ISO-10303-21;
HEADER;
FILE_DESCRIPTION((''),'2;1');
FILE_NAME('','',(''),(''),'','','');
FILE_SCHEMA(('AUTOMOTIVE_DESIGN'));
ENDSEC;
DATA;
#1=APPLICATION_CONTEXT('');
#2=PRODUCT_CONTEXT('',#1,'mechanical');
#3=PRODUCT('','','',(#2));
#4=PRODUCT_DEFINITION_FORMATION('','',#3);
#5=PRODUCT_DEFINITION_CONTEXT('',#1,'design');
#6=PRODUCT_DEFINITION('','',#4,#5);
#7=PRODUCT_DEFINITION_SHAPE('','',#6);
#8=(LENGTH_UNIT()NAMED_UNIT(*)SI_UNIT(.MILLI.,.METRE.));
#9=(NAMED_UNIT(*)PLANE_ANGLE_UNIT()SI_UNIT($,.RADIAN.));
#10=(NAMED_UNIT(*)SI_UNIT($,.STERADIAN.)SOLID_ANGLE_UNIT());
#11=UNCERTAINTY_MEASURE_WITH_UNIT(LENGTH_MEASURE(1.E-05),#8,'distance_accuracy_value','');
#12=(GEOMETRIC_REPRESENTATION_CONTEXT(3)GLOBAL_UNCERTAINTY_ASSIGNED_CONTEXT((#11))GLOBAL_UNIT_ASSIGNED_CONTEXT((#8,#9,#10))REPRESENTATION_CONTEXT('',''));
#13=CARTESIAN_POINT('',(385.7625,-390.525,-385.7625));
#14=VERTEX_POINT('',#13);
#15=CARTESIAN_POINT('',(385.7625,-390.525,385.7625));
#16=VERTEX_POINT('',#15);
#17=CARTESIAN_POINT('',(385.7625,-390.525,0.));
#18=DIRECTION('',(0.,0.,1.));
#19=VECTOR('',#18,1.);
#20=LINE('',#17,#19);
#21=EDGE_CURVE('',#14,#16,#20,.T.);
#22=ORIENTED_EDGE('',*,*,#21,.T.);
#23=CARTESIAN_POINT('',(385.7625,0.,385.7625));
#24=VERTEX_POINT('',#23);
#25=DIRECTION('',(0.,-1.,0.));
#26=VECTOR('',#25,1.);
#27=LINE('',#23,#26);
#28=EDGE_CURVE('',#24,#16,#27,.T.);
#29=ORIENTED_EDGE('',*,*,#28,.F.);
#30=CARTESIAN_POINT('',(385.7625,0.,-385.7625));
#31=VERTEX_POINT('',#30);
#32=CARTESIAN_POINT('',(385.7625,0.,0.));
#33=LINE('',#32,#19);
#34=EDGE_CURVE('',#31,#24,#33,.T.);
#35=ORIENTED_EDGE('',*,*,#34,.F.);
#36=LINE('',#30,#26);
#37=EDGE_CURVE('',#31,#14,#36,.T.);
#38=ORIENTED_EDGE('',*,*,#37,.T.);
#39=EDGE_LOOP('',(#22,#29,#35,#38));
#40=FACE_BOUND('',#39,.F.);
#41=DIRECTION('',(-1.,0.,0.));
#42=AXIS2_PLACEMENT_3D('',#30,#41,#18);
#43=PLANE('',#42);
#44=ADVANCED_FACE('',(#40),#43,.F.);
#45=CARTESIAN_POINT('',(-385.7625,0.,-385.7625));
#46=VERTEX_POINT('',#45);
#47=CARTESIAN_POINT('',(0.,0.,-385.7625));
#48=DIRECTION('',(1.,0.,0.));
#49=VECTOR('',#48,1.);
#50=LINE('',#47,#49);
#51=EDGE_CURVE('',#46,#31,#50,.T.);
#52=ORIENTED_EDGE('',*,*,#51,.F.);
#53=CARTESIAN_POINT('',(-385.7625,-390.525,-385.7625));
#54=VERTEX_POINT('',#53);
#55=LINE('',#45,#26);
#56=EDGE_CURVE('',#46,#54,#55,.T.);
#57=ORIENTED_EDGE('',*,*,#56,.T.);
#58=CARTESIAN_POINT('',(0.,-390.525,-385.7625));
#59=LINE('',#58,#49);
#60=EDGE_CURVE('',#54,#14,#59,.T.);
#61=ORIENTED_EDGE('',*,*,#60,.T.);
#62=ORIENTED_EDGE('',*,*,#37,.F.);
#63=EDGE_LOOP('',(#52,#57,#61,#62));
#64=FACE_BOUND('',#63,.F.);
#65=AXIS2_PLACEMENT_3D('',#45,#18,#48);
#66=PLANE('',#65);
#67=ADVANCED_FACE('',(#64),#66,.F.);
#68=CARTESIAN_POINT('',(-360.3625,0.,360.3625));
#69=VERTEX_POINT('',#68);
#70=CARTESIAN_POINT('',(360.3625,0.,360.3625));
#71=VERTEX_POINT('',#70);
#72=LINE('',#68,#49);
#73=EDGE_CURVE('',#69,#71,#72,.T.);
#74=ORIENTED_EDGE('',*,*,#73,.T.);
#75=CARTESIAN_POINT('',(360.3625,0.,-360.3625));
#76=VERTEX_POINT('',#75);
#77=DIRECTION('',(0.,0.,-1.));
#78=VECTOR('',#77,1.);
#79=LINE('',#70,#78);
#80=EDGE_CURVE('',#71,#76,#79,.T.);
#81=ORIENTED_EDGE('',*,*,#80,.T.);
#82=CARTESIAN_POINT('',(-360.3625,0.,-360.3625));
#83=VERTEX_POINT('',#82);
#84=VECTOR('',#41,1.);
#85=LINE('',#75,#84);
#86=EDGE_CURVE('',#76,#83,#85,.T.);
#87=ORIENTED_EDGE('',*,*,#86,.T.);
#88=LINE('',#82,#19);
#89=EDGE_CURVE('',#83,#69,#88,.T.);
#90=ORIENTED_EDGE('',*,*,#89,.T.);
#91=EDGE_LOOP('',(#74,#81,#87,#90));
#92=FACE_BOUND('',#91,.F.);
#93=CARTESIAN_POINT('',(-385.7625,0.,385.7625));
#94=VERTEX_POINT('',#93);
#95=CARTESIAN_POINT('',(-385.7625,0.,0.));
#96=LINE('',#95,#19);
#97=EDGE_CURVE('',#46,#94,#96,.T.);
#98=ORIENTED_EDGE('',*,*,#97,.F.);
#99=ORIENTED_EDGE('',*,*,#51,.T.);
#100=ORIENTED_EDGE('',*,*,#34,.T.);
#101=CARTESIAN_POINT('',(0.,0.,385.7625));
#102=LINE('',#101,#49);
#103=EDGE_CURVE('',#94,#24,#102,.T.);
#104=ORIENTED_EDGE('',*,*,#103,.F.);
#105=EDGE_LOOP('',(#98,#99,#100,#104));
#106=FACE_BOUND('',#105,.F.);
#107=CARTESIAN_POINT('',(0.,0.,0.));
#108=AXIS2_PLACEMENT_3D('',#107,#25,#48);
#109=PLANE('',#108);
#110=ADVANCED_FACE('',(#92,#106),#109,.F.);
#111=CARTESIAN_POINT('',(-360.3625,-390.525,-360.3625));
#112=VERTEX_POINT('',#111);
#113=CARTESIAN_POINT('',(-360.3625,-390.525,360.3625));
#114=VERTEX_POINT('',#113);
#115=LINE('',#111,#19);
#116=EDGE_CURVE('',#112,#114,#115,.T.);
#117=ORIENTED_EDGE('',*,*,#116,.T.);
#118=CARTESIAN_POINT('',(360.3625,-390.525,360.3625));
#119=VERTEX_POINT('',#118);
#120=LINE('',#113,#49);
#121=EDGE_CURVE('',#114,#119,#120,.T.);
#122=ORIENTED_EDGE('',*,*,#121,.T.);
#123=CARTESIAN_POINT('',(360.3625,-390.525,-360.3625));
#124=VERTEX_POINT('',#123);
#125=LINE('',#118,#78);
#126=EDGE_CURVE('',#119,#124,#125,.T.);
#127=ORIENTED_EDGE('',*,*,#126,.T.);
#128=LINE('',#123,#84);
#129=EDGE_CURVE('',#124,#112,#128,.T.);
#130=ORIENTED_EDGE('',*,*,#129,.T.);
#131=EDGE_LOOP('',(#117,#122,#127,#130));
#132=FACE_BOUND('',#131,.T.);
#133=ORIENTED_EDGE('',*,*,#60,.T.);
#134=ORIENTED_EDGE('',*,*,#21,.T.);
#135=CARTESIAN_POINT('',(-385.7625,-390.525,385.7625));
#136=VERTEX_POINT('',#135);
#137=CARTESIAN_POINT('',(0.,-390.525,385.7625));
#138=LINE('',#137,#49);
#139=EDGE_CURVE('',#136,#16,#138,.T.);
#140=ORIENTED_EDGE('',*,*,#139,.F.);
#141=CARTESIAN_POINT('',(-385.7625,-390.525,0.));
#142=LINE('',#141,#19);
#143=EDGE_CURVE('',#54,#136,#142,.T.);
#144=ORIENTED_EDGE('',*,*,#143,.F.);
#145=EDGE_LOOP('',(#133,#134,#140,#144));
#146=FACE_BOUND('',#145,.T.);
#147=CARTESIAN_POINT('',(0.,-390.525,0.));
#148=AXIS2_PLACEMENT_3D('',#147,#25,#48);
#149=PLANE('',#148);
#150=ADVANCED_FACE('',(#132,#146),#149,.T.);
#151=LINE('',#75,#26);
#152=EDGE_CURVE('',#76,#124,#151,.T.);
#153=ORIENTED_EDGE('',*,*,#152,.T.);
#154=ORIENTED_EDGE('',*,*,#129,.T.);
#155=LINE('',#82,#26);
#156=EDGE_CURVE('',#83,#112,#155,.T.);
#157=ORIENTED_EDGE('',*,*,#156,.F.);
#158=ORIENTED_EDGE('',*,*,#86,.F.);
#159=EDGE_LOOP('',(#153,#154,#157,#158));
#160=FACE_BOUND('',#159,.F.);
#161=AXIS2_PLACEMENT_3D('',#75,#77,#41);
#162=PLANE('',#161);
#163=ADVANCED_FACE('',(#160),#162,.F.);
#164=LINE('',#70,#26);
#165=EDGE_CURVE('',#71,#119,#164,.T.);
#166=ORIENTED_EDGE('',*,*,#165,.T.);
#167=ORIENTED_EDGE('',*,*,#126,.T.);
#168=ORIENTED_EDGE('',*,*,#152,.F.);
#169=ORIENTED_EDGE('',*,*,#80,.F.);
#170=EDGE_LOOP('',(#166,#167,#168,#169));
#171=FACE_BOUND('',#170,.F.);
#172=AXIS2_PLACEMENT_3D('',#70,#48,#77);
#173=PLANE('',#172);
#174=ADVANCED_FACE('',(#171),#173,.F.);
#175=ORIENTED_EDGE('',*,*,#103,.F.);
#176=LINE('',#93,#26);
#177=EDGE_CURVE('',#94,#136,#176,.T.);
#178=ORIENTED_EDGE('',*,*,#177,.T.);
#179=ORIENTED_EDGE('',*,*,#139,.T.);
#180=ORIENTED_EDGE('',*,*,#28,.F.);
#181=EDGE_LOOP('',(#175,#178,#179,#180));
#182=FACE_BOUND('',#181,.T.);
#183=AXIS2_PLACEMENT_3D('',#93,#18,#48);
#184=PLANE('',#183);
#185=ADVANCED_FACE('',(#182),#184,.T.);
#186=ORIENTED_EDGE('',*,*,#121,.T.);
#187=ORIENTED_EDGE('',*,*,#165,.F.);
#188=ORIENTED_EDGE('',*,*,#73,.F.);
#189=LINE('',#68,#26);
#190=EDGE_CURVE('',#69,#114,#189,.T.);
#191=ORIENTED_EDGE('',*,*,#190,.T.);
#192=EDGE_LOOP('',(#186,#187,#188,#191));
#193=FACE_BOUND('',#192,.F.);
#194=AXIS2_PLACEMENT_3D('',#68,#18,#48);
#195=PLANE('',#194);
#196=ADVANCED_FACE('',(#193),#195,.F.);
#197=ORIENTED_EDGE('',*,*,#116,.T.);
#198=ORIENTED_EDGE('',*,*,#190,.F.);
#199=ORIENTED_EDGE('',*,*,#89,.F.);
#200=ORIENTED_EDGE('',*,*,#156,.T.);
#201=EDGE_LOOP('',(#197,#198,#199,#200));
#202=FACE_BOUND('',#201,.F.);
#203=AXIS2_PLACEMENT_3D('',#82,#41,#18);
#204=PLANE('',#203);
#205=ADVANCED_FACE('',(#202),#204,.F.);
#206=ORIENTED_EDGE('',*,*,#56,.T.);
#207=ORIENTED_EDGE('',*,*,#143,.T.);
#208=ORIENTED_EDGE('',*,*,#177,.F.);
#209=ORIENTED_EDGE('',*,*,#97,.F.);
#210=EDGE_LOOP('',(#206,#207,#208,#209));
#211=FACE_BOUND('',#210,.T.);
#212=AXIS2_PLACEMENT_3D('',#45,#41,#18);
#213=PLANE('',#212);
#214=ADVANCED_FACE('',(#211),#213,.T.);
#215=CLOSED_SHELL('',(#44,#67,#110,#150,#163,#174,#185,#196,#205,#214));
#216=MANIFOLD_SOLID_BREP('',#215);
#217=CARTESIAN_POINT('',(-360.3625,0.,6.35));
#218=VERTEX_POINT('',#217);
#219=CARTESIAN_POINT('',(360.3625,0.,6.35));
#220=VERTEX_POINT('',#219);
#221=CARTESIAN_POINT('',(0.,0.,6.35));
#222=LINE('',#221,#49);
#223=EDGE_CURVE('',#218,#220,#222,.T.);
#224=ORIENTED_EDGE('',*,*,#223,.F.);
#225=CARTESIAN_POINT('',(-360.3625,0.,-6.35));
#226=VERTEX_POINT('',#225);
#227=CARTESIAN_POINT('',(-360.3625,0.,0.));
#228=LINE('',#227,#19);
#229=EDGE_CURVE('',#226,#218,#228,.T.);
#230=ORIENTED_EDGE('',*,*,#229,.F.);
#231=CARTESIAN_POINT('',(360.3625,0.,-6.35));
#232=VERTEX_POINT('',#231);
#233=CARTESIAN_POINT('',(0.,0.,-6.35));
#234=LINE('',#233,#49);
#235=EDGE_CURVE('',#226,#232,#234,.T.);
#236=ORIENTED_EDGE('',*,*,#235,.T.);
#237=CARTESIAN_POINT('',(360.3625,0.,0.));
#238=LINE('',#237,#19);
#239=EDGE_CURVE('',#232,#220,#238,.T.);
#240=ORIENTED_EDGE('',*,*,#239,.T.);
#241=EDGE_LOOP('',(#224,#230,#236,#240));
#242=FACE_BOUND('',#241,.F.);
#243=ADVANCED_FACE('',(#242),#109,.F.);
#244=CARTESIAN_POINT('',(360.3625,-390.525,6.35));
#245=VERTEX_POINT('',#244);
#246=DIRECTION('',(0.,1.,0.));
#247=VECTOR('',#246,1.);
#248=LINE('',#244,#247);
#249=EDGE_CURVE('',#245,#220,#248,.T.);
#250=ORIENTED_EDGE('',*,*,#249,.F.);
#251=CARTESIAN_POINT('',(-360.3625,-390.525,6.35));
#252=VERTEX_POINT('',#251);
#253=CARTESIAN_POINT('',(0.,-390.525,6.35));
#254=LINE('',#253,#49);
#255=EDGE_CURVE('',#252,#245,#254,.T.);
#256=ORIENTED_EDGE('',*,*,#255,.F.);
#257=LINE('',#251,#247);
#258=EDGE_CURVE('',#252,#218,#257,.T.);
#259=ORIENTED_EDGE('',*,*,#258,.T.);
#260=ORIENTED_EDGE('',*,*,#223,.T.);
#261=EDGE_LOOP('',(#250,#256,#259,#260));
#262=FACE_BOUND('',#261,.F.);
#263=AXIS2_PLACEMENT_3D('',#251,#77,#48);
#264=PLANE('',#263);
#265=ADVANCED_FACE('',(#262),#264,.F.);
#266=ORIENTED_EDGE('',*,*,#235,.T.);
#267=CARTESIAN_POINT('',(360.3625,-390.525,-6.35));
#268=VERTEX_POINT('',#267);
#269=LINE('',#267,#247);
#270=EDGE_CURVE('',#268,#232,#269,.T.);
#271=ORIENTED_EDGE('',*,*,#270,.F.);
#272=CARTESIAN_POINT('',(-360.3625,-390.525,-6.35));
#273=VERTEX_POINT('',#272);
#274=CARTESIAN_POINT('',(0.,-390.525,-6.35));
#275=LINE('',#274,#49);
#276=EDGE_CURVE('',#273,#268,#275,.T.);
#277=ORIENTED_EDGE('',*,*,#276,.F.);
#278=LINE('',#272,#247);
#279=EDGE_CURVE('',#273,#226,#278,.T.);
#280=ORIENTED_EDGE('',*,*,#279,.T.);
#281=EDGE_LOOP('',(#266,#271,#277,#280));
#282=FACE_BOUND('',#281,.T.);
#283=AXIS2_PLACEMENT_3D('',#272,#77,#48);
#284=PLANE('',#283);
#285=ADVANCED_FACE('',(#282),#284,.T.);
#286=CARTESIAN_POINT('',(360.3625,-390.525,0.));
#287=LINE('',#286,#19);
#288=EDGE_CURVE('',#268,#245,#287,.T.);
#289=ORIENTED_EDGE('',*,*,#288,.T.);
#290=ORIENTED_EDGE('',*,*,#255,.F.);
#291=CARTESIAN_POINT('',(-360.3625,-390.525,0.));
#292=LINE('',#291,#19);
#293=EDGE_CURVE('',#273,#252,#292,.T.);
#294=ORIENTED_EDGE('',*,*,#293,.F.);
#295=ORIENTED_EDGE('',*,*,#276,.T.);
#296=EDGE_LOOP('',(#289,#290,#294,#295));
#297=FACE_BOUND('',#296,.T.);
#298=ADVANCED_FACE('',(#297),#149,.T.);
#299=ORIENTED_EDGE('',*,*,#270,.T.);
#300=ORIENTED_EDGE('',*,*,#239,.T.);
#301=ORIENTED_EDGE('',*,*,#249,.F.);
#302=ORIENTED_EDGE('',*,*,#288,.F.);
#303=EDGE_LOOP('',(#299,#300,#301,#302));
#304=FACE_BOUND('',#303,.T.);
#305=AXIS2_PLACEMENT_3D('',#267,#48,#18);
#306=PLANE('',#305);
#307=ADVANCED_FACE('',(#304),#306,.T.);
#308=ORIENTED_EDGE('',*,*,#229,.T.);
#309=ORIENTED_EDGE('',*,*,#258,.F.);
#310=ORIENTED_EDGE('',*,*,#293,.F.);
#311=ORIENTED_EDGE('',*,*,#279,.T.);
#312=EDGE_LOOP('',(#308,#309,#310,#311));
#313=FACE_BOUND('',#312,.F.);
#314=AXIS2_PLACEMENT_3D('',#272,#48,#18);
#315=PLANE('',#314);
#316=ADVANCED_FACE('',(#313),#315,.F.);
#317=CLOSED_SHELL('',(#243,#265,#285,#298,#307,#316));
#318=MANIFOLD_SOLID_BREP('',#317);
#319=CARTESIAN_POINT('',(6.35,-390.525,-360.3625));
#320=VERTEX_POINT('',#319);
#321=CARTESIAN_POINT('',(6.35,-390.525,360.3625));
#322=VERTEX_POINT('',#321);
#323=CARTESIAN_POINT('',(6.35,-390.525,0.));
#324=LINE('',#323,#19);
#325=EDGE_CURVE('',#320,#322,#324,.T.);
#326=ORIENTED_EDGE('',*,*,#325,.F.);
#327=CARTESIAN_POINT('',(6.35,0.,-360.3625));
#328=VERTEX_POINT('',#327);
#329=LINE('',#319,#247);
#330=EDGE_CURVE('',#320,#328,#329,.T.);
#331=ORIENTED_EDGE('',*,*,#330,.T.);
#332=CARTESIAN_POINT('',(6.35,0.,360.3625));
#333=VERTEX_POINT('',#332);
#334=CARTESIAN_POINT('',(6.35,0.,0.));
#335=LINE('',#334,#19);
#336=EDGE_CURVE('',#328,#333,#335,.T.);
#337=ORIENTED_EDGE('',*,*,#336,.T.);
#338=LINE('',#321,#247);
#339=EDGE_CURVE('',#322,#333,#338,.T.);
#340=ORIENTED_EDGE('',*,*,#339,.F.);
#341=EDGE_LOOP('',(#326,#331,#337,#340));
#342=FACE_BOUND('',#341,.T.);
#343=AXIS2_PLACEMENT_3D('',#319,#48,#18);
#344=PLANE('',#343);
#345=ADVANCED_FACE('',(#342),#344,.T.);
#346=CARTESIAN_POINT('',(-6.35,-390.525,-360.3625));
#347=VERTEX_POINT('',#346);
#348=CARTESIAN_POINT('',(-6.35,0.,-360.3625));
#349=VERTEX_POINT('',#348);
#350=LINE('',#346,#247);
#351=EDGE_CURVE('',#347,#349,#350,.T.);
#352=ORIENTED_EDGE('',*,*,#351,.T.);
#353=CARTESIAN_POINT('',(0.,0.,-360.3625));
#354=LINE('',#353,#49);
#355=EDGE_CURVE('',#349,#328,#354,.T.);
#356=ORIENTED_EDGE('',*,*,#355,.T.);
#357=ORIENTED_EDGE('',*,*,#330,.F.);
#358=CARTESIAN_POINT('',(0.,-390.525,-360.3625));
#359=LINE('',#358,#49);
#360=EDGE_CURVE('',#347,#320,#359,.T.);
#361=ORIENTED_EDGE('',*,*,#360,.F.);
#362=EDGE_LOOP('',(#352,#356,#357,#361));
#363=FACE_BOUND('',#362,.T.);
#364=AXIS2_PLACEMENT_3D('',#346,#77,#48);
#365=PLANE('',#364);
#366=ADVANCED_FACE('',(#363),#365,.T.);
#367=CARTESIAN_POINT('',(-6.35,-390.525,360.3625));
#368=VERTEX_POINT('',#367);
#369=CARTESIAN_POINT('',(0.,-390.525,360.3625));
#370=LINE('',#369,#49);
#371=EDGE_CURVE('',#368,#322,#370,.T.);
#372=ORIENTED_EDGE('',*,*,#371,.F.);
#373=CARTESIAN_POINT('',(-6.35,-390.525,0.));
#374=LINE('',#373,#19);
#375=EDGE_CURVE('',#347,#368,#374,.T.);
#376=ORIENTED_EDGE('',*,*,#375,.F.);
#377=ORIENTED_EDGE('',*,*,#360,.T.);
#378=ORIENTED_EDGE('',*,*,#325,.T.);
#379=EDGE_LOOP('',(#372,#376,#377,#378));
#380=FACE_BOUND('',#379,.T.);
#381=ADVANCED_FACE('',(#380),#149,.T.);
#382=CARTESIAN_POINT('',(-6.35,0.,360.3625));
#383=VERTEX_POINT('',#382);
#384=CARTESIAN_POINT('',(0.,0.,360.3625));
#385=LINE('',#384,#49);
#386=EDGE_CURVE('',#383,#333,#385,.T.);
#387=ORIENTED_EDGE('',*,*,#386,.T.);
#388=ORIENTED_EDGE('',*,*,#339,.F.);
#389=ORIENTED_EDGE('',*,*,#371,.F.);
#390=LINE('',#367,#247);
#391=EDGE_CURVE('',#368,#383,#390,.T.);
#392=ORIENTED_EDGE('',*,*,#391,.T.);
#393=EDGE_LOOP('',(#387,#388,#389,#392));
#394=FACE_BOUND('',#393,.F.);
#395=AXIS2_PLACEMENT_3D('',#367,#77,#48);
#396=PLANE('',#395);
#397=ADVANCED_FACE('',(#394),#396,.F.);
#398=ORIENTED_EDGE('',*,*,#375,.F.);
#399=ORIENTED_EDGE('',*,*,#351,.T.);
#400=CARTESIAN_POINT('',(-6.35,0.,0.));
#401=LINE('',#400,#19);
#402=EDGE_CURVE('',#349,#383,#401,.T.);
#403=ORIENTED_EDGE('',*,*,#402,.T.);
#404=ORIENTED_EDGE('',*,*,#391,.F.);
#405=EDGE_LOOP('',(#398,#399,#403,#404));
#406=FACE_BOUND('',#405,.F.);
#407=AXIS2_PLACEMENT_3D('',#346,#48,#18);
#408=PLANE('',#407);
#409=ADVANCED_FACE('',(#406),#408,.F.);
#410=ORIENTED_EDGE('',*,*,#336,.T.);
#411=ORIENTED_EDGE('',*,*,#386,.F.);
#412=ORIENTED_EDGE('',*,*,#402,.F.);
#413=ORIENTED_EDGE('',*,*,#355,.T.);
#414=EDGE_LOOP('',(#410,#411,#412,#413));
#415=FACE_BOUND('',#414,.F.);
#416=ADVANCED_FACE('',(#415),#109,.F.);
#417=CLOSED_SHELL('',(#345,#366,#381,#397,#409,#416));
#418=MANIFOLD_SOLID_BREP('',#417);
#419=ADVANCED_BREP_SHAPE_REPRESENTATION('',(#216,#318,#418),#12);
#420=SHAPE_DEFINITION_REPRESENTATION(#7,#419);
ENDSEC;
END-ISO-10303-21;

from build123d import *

# Parameters (mm, degrees)
F0_W     = 771.525
F0_H     = 771.525
F1_DEPTH = 390.525
F2_W     = 720.725
F2_H     = 12.7
F3_DEPTH = 390.525
F4_W     = 12.7
F4_H     = 720.725
F5_DEPTH = 390.525


with BuildPart() as f1:
    # F0 (on Front) → F1 (new body)
    with BuildSketch(Plane.XZ):
        Rectangle(F0_W, F0_H)
        Polygon((360.3625, -6.35), (360.3625, -360.3625), (6.35, -360.3625), (-6.35, -360.3625), (-360.3625, -360.3625), (-360.3625, -6.35), (-360.3625, 6.35), (-360.3625, 360.3625), (-6.35, 360.3625), (6.35, 360.3625), (360.3625, 360.3625), (360.3625, 6.35), align=None, mode=Mode.SUBTRACT)
    extrude(amount=F1_DEPTH)


with BuildPart() as f3:
    # F2 (on face) → F3 (new body)
    with BuildSketch(Plane.XZ.offset(390.525)):
        Rectangle(F2_W, F2_H)
    extrude(amount=-F3_DEPTH)


with BuildPart() as f5:
    # F4 (on face) → F5 (new body)
    with BuildSketch(Plane.XZ.offset(390.525)):
        Rectangle(F4_W, F4_H)
    extrude(amount=-F5_DEPTH)


solid = Compound([f1.part, f3.part, f5.part])
